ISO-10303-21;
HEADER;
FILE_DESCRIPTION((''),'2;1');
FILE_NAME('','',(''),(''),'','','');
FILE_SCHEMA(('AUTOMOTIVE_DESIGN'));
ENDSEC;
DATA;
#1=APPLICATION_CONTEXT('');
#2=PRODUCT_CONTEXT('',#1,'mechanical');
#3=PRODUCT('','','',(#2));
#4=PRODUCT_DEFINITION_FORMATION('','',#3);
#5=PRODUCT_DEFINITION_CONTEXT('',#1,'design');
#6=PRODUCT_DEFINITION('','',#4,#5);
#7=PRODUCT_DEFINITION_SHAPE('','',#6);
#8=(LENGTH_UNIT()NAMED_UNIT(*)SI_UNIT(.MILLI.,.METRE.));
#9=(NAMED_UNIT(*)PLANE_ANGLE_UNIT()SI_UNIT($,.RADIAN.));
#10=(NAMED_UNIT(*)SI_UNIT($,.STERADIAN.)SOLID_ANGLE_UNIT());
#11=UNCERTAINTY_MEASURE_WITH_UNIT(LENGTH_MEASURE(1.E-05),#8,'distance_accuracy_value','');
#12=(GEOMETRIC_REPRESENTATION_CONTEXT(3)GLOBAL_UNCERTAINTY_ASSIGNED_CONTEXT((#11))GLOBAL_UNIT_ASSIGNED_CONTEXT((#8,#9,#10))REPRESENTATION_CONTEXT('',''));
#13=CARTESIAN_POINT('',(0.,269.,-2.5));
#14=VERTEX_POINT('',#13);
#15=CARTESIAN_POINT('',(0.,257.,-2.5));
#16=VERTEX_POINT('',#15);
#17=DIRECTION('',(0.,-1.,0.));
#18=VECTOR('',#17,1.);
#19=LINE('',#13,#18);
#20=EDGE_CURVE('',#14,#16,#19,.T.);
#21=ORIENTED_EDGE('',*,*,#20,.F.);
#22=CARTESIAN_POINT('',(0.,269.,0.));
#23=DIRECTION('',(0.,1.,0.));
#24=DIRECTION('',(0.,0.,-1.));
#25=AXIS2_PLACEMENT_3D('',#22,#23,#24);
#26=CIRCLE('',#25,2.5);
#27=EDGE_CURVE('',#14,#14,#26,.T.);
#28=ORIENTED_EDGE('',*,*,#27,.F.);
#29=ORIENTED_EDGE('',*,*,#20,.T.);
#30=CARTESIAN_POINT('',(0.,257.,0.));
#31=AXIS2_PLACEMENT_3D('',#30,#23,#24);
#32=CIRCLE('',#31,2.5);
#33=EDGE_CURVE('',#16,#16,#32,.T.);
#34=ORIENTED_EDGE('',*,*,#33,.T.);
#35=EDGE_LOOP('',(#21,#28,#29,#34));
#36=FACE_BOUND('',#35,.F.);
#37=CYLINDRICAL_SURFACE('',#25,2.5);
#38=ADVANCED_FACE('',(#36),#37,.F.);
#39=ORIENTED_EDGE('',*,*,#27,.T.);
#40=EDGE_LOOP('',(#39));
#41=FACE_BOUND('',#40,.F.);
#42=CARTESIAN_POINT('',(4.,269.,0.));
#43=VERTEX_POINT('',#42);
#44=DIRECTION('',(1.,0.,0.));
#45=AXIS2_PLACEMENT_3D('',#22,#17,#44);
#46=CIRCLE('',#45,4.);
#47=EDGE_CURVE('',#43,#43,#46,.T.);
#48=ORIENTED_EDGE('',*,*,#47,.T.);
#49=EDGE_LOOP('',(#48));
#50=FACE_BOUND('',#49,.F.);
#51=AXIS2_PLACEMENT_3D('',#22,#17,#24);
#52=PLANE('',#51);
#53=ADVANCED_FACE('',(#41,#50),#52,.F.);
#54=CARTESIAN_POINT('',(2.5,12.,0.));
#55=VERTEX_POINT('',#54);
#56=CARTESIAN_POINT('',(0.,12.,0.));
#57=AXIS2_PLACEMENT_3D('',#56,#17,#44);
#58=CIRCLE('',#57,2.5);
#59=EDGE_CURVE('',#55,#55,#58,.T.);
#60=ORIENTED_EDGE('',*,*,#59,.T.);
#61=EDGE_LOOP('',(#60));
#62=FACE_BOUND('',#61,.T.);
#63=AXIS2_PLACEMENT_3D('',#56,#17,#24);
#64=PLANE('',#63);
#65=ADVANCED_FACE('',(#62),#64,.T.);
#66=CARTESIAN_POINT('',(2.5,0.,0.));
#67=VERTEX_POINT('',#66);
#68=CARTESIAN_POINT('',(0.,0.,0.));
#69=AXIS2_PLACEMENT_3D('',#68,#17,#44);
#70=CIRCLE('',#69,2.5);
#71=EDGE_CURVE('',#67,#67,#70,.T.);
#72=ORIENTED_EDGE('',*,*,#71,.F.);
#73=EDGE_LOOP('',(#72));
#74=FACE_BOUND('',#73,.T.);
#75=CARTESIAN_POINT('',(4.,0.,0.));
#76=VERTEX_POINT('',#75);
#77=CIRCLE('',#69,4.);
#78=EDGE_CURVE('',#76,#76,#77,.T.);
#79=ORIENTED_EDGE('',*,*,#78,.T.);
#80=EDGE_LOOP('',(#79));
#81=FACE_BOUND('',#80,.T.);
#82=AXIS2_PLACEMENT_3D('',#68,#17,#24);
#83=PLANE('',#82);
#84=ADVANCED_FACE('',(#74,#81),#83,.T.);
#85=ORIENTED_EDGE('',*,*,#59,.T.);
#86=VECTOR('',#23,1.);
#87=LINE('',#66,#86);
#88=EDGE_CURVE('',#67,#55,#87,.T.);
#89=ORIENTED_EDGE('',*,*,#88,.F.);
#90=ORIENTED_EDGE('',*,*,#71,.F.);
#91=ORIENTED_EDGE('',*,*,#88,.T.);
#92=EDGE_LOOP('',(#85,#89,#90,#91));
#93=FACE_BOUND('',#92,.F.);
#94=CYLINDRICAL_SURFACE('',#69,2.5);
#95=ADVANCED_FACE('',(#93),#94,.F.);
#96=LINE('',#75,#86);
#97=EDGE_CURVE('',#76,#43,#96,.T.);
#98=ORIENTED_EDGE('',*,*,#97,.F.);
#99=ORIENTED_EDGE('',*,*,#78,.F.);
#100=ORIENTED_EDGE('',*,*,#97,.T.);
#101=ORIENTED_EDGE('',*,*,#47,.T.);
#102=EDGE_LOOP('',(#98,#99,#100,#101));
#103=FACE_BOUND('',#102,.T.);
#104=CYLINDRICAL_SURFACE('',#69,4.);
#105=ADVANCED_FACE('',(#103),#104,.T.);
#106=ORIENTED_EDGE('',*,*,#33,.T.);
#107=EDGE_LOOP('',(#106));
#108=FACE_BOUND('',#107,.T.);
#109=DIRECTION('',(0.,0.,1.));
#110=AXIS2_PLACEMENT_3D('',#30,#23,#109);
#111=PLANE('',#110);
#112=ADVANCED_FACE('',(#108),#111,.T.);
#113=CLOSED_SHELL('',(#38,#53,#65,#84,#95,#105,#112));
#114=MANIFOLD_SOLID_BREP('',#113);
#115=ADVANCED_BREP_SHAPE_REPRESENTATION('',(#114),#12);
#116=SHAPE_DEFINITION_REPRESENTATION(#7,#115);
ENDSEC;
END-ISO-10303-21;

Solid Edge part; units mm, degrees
sketch "Sketch1" plane through (0, 0, 0) normal (0, -1, 0) x (1, 0, 0)
  circle A0 centre (0, 0) radius 4
extrude "Protrusion1" add sketch "Sketch1" against normal blind 269
sketch "Sketch2" plane through (0, 269, 0) normal (0, 1, 0) x (0, 0, -1)
  circle A0 centre (0, 0) radius 2.5
extrude "ExtrudedCutout_2" cut sketch "Sketch2" against normal blind 12
sketch "Sketch3" plane through (0, 0, 0) normal (0, -1, 0) x (1, 0, 0)
  circle A0 centre (0, 0) radius 2.5
extrude "ExtrudedCutout_3" cut sketch "Sketch3" against normal blind 12
cosmetic_thread "Thread1" size "M5"
cosmetic_thread "Thread2" size "M5"
properties material "Steel"
